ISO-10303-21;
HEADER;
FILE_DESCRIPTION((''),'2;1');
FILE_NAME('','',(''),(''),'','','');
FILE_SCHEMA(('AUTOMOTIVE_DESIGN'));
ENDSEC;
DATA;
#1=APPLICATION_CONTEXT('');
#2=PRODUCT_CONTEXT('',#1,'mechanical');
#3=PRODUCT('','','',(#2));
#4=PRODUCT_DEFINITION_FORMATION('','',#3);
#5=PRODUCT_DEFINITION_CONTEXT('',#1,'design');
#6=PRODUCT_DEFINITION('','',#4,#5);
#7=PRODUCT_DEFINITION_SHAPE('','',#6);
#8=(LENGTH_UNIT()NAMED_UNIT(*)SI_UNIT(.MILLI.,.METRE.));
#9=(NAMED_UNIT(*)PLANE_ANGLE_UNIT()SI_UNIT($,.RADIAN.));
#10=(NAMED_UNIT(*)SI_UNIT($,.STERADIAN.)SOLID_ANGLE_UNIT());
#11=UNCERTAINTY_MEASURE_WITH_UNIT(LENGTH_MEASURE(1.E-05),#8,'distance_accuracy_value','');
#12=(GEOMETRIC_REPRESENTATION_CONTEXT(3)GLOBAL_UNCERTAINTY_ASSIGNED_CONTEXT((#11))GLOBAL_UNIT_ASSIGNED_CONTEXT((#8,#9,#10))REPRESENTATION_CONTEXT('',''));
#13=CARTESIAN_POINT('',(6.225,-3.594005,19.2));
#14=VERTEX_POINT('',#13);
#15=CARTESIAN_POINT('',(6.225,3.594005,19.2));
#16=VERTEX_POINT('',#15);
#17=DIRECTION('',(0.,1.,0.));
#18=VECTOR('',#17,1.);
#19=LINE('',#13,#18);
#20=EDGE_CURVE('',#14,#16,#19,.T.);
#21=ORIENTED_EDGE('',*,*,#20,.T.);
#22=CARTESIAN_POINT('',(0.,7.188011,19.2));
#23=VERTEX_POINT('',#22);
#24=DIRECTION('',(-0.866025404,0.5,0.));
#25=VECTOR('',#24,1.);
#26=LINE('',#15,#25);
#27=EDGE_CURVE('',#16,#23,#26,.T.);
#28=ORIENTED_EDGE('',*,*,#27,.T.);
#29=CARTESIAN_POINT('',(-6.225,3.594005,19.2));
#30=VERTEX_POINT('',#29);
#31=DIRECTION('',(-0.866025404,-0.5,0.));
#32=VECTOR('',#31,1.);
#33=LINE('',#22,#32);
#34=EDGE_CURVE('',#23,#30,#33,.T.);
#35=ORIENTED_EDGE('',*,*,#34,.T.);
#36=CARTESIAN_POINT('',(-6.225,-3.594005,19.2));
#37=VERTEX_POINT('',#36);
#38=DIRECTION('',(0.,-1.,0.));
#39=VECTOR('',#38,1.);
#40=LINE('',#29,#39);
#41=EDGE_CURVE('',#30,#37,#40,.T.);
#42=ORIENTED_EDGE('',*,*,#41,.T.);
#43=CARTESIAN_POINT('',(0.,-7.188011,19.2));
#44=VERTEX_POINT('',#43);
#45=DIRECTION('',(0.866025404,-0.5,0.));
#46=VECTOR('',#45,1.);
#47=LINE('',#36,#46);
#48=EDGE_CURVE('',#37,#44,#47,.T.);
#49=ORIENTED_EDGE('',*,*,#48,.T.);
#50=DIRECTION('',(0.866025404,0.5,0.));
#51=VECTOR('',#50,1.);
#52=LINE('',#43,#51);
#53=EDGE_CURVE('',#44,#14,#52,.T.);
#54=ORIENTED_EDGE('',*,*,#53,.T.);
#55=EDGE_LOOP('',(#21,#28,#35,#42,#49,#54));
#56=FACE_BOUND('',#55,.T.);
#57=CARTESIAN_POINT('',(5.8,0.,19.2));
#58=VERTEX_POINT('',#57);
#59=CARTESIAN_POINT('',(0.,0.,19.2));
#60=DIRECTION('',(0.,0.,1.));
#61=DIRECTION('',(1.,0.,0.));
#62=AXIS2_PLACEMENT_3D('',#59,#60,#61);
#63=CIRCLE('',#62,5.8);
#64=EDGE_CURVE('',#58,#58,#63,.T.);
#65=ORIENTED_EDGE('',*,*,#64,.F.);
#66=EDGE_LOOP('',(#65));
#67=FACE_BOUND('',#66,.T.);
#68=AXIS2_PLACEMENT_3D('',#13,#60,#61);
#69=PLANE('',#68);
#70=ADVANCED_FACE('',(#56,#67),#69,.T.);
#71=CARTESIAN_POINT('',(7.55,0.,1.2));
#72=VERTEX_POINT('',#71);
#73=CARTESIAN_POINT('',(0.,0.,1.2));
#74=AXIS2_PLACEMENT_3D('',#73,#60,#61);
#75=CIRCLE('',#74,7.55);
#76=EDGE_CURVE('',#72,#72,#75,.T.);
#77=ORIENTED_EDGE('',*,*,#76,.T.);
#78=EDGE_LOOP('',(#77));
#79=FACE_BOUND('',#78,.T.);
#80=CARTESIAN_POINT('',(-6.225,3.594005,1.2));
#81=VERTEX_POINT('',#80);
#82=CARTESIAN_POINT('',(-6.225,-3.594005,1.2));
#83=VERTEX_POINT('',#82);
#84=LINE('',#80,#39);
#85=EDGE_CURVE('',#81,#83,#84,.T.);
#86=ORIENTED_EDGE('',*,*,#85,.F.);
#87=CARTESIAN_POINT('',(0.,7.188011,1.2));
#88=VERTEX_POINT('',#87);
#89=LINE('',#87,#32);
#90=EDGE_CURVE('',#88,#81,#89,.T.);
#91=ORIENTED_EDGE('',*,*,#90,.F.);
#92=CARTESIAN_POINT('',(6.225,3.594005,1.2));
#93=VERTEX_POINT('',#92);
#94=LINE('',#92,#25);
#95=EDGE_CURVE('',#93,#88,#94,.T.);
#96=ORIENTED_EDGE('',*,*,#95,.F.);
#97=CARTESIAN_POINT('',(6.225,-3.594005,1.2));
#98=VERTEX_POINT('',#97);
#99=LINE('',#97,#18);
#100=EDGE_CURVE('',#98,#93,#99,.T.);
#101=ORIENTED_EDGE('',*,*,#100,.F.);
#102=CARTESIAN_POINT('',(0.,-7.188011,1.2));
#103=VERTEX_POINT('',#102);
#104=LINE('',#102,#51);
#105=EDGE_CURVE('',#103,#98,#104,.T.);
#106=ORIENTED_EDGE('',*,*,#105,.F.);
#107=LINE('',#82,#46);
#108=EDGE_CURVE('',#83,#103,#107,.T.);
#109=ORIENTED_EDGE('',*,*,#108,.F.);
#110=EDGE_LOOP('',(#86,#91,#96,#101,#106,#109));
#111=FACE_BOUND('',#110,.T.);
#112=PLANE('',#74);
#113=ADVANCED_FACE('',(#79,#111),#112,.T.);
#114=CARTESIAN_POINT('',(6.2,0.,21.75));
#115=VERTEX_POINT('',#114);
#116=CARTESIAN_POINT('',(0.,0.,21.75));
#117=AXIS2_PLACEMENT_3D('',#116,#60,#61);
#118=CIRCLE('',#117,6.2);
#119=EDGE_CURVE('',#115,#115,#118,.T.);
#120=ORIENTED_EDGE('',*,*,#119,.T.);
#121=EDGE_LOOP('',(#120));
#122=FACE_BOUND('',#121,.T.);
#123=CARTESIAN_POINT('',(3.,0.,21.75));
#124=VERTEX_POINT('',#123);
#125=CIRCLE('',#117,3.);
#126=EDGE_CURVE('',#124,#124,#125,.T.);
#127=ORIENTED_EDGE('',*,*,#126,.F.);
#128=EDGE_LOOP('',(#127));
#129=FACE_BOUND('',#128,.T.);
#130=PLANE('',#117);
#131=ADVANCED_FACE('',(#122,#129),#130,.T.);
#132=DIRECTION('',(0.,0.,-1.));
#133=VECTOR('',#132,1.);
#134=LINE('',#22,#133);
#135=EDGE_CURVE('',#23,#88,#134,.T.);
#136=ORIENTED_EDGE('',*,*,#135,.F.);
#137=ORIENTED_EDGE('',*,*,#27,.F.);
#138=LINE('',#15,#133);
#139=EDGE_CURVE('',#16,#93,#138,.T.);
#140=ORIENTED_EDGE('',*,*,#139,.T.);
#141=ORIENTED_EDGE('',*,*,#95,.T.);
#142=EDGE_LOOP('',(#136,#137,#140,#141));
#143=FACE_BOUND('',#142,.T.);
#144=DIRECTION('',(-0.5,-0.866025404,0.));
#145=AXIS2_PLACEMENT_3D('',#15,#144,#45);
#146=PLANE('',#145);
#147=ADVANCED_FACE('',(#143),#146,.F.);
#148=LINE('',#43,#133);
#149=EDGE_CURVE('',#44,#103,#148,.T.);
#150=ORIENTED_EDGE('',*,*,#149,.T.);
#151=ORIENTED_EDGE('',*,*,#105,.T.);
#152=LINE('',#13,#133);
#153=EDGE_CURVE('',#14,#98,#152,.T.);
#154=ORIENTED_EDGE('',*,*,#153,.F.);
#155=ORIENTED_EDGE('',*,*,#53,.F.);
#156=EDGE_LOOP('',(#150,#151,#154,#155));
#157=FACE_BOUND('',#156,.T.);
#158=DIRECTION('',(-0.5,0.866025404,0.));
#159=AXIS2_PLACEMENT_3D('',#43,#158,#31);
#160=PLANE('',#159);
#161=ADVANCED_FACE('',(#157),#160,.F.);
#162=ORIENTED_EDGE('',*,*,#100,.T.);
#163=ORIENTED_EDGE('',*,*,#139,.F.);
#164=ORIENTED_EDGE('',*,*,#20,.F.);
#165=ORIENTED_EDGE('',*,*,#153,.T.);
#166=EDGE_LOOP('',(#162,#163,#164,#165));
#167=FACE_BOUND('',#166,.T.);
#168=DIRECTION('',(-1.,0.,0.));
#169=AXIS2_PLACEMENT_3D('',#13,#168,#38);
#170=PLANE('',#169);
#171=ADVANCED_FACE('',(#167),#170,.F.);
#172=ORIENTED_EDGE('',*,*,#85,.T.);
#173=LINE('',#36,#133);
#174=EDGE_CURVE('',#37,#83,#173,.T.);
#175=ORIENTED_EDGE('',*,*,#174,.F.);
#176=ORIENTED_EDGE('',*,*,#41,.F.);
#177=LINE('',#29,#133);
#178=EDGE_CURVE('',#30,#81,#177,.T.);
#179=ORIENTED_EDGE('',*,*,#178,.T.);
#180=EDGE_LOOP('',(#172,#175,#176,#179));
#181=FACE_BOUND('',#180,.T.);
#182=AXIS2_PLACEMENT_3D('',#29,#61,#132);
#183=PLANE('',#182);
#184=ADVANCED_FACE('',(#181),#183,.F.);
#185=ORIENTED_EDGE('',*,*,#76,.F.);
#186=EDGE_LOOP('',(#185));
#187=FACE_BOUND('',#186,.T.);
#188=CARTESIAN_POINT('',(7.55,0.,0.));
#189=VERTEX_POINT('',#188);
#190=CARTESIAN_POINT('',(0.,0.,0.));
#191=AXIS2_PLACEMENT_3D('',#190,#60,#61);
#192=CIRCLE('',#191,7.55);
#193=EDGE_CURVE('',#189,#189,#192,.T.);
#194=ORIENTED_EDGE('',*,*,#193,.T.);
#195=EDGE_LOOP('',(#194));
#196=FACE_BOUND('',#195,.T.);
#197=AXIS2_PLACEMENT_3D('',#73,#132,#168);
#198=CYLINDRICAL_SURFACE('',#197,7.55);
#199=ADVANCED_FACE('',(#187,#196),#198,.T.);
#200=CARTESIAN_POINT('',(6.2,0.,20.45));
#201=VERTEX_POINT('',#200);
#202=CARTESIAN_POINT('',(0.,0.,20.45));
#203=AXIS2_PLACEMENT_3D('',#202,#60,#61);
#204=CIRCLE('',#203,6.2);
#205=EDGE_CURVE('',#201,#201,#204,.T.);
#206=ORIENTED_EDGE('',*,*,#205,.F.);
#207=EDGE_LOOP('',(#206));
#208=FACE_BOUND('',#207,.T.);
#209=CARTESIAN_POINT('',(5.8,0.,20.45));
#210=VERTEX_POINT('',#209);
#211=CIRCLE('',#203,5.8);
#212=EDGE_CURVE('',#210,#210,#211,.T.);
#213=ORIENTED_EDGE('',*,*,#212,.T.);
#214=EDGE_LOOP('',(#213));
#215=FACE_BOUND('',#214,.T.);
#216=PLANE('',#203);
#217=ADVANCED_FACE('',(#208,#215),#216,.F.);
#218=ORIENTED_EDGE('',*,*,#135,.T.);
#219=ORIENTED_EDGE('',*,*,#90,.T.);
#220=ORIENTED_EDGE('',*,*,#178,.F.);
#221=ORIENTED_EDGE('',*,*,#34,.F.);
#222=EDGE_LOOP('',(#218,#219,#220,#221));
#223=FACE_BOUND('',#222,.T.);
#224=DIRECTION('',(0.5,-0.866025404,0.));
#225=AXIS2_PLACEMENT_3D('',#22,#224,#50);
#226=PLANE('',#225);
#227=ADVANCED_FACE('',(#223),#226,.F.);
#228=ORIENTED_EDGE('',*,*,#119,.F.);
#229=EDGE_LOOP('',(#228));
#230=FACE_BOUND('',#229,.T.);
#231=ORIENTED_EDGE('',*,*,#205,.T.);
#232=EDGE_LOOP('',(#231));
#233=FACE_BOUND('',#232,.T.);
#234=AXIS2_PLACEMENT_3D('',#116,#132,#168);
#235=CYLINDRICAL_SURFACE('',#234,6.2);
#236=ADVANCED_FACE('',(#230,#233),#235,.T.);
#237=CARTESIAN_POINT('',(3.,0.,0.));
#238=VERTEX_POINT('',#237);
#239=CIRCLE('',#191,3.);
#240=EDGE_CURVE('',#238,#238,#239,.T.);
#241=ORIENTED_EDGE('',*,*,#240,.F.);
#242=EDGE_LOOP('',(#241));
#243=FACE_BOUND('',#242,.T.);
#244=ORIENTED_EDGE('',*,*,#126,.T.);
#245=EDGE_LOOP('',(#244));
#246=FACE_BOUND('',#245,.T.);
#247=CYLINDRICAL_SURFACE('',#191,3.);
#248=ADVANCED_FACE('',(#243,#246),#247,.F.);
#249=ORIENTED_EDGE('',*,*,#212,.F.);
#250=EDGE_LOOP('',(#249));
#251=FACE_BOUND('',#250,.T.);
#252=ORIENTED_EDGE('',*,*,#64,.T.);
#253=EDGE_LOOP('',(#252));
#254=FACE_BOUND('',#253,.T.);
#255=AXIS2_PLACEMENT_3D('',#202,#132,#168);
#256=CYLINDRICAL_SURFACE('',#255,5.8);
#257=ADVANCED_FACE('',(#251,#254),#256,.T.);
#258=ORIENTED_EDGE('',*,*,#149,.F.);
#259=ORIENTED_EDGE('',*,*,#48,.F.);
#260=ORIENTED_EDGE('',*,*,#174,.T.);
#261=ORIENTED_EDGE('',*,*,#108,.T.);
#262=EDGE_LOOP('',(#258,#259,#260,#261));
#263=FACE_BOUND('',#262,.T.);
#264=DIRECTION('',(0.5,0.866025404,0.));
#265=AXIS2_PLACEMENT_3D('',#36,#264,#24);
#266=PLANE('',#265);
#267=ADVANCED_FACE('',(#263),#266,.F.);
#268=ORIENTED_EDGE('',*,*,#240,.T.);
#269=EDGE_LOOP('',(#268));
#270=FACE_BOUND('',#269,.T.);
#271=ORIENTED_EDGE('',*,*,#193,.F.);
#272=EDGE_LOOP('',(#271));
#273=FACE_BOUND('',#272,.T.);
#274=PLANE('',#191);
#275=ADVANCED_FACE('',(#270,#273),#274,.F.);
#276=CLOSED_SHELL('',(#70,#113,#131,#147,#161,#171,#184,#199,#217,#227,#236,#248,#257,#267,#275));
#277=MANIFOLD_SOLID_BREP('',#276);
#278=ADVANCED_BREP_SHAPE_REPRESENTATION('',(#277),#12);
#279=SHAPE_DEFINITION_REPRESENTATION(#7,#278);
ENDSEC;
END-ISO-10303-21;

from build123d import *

# Parameters (mm, degrees)
ESQUISSE1_R             = 7.55
BOSS_EXTRU_1_DEPTH      = 1.2
BOSS_EXTRU_2_DEPTH      = 18
ESQUISSE3_R             = 5.8
BOSS_EXTRU_3_DEPTH      = 1.25
ESQUISSE4_R             = 6.2
BOSS_EXTRU_4_DEPTH      = 1.3
ESQUISSE5_R             = 3
ENL_V_MAT_EXTRU_1_DEPTH = 25.229475851


with BuildPart() as part:
    # Esquisse1 → Boss.-Extru.1 (new body)
    with BuildSketch(Plane.XY):
        Circle(ESQUISSE1_R)
    extrude(amount=BOSS_EXTRU_1_DEPTH)

    # Esquisse2 → Boss.-Extru.2 (add)
    with BuildSketch(Plane.XY.offset(1.2)):
        Polygon((6.225, -3.594005426), (6.225, 3.594005426), (0, 7.188010851), (-6.225, 3.594005426), (-6.225, -3.594005426), (0, -7.188010851), align=None)
    extrude(amount=BOSS_EXTRU_2_DEPTH)

    # Esquisse3 → Boss.-Extru.3 (add)
    with BuildSketch(Plane.XY.offset(19.2)):
        Circle(ESQUISSE3_R)
    extrude(amount=BOSS_EXTRU_3_DEPTH)

    # Esquisse4 → Boss.-Extru.4 (add)
    with BuildSketch(Plane.XY.offset(20.45)):
        Circle(ESQUISSE4_R)
    extrude(amount=BOSS_EXTRU_4_DEPTH)

    # Esquisse5 → Enlèv. mat.-Extru.1 (cut, through all)
    with BuildSketch(Plane.XY.offset(21.75)):
        Circle(ESQUISSE5_R)
    extrude(amount=-ENL_V_MAT_EXTRU_1_DEPTH, mode=Mode.SUBTRACT)


solid = part.part
